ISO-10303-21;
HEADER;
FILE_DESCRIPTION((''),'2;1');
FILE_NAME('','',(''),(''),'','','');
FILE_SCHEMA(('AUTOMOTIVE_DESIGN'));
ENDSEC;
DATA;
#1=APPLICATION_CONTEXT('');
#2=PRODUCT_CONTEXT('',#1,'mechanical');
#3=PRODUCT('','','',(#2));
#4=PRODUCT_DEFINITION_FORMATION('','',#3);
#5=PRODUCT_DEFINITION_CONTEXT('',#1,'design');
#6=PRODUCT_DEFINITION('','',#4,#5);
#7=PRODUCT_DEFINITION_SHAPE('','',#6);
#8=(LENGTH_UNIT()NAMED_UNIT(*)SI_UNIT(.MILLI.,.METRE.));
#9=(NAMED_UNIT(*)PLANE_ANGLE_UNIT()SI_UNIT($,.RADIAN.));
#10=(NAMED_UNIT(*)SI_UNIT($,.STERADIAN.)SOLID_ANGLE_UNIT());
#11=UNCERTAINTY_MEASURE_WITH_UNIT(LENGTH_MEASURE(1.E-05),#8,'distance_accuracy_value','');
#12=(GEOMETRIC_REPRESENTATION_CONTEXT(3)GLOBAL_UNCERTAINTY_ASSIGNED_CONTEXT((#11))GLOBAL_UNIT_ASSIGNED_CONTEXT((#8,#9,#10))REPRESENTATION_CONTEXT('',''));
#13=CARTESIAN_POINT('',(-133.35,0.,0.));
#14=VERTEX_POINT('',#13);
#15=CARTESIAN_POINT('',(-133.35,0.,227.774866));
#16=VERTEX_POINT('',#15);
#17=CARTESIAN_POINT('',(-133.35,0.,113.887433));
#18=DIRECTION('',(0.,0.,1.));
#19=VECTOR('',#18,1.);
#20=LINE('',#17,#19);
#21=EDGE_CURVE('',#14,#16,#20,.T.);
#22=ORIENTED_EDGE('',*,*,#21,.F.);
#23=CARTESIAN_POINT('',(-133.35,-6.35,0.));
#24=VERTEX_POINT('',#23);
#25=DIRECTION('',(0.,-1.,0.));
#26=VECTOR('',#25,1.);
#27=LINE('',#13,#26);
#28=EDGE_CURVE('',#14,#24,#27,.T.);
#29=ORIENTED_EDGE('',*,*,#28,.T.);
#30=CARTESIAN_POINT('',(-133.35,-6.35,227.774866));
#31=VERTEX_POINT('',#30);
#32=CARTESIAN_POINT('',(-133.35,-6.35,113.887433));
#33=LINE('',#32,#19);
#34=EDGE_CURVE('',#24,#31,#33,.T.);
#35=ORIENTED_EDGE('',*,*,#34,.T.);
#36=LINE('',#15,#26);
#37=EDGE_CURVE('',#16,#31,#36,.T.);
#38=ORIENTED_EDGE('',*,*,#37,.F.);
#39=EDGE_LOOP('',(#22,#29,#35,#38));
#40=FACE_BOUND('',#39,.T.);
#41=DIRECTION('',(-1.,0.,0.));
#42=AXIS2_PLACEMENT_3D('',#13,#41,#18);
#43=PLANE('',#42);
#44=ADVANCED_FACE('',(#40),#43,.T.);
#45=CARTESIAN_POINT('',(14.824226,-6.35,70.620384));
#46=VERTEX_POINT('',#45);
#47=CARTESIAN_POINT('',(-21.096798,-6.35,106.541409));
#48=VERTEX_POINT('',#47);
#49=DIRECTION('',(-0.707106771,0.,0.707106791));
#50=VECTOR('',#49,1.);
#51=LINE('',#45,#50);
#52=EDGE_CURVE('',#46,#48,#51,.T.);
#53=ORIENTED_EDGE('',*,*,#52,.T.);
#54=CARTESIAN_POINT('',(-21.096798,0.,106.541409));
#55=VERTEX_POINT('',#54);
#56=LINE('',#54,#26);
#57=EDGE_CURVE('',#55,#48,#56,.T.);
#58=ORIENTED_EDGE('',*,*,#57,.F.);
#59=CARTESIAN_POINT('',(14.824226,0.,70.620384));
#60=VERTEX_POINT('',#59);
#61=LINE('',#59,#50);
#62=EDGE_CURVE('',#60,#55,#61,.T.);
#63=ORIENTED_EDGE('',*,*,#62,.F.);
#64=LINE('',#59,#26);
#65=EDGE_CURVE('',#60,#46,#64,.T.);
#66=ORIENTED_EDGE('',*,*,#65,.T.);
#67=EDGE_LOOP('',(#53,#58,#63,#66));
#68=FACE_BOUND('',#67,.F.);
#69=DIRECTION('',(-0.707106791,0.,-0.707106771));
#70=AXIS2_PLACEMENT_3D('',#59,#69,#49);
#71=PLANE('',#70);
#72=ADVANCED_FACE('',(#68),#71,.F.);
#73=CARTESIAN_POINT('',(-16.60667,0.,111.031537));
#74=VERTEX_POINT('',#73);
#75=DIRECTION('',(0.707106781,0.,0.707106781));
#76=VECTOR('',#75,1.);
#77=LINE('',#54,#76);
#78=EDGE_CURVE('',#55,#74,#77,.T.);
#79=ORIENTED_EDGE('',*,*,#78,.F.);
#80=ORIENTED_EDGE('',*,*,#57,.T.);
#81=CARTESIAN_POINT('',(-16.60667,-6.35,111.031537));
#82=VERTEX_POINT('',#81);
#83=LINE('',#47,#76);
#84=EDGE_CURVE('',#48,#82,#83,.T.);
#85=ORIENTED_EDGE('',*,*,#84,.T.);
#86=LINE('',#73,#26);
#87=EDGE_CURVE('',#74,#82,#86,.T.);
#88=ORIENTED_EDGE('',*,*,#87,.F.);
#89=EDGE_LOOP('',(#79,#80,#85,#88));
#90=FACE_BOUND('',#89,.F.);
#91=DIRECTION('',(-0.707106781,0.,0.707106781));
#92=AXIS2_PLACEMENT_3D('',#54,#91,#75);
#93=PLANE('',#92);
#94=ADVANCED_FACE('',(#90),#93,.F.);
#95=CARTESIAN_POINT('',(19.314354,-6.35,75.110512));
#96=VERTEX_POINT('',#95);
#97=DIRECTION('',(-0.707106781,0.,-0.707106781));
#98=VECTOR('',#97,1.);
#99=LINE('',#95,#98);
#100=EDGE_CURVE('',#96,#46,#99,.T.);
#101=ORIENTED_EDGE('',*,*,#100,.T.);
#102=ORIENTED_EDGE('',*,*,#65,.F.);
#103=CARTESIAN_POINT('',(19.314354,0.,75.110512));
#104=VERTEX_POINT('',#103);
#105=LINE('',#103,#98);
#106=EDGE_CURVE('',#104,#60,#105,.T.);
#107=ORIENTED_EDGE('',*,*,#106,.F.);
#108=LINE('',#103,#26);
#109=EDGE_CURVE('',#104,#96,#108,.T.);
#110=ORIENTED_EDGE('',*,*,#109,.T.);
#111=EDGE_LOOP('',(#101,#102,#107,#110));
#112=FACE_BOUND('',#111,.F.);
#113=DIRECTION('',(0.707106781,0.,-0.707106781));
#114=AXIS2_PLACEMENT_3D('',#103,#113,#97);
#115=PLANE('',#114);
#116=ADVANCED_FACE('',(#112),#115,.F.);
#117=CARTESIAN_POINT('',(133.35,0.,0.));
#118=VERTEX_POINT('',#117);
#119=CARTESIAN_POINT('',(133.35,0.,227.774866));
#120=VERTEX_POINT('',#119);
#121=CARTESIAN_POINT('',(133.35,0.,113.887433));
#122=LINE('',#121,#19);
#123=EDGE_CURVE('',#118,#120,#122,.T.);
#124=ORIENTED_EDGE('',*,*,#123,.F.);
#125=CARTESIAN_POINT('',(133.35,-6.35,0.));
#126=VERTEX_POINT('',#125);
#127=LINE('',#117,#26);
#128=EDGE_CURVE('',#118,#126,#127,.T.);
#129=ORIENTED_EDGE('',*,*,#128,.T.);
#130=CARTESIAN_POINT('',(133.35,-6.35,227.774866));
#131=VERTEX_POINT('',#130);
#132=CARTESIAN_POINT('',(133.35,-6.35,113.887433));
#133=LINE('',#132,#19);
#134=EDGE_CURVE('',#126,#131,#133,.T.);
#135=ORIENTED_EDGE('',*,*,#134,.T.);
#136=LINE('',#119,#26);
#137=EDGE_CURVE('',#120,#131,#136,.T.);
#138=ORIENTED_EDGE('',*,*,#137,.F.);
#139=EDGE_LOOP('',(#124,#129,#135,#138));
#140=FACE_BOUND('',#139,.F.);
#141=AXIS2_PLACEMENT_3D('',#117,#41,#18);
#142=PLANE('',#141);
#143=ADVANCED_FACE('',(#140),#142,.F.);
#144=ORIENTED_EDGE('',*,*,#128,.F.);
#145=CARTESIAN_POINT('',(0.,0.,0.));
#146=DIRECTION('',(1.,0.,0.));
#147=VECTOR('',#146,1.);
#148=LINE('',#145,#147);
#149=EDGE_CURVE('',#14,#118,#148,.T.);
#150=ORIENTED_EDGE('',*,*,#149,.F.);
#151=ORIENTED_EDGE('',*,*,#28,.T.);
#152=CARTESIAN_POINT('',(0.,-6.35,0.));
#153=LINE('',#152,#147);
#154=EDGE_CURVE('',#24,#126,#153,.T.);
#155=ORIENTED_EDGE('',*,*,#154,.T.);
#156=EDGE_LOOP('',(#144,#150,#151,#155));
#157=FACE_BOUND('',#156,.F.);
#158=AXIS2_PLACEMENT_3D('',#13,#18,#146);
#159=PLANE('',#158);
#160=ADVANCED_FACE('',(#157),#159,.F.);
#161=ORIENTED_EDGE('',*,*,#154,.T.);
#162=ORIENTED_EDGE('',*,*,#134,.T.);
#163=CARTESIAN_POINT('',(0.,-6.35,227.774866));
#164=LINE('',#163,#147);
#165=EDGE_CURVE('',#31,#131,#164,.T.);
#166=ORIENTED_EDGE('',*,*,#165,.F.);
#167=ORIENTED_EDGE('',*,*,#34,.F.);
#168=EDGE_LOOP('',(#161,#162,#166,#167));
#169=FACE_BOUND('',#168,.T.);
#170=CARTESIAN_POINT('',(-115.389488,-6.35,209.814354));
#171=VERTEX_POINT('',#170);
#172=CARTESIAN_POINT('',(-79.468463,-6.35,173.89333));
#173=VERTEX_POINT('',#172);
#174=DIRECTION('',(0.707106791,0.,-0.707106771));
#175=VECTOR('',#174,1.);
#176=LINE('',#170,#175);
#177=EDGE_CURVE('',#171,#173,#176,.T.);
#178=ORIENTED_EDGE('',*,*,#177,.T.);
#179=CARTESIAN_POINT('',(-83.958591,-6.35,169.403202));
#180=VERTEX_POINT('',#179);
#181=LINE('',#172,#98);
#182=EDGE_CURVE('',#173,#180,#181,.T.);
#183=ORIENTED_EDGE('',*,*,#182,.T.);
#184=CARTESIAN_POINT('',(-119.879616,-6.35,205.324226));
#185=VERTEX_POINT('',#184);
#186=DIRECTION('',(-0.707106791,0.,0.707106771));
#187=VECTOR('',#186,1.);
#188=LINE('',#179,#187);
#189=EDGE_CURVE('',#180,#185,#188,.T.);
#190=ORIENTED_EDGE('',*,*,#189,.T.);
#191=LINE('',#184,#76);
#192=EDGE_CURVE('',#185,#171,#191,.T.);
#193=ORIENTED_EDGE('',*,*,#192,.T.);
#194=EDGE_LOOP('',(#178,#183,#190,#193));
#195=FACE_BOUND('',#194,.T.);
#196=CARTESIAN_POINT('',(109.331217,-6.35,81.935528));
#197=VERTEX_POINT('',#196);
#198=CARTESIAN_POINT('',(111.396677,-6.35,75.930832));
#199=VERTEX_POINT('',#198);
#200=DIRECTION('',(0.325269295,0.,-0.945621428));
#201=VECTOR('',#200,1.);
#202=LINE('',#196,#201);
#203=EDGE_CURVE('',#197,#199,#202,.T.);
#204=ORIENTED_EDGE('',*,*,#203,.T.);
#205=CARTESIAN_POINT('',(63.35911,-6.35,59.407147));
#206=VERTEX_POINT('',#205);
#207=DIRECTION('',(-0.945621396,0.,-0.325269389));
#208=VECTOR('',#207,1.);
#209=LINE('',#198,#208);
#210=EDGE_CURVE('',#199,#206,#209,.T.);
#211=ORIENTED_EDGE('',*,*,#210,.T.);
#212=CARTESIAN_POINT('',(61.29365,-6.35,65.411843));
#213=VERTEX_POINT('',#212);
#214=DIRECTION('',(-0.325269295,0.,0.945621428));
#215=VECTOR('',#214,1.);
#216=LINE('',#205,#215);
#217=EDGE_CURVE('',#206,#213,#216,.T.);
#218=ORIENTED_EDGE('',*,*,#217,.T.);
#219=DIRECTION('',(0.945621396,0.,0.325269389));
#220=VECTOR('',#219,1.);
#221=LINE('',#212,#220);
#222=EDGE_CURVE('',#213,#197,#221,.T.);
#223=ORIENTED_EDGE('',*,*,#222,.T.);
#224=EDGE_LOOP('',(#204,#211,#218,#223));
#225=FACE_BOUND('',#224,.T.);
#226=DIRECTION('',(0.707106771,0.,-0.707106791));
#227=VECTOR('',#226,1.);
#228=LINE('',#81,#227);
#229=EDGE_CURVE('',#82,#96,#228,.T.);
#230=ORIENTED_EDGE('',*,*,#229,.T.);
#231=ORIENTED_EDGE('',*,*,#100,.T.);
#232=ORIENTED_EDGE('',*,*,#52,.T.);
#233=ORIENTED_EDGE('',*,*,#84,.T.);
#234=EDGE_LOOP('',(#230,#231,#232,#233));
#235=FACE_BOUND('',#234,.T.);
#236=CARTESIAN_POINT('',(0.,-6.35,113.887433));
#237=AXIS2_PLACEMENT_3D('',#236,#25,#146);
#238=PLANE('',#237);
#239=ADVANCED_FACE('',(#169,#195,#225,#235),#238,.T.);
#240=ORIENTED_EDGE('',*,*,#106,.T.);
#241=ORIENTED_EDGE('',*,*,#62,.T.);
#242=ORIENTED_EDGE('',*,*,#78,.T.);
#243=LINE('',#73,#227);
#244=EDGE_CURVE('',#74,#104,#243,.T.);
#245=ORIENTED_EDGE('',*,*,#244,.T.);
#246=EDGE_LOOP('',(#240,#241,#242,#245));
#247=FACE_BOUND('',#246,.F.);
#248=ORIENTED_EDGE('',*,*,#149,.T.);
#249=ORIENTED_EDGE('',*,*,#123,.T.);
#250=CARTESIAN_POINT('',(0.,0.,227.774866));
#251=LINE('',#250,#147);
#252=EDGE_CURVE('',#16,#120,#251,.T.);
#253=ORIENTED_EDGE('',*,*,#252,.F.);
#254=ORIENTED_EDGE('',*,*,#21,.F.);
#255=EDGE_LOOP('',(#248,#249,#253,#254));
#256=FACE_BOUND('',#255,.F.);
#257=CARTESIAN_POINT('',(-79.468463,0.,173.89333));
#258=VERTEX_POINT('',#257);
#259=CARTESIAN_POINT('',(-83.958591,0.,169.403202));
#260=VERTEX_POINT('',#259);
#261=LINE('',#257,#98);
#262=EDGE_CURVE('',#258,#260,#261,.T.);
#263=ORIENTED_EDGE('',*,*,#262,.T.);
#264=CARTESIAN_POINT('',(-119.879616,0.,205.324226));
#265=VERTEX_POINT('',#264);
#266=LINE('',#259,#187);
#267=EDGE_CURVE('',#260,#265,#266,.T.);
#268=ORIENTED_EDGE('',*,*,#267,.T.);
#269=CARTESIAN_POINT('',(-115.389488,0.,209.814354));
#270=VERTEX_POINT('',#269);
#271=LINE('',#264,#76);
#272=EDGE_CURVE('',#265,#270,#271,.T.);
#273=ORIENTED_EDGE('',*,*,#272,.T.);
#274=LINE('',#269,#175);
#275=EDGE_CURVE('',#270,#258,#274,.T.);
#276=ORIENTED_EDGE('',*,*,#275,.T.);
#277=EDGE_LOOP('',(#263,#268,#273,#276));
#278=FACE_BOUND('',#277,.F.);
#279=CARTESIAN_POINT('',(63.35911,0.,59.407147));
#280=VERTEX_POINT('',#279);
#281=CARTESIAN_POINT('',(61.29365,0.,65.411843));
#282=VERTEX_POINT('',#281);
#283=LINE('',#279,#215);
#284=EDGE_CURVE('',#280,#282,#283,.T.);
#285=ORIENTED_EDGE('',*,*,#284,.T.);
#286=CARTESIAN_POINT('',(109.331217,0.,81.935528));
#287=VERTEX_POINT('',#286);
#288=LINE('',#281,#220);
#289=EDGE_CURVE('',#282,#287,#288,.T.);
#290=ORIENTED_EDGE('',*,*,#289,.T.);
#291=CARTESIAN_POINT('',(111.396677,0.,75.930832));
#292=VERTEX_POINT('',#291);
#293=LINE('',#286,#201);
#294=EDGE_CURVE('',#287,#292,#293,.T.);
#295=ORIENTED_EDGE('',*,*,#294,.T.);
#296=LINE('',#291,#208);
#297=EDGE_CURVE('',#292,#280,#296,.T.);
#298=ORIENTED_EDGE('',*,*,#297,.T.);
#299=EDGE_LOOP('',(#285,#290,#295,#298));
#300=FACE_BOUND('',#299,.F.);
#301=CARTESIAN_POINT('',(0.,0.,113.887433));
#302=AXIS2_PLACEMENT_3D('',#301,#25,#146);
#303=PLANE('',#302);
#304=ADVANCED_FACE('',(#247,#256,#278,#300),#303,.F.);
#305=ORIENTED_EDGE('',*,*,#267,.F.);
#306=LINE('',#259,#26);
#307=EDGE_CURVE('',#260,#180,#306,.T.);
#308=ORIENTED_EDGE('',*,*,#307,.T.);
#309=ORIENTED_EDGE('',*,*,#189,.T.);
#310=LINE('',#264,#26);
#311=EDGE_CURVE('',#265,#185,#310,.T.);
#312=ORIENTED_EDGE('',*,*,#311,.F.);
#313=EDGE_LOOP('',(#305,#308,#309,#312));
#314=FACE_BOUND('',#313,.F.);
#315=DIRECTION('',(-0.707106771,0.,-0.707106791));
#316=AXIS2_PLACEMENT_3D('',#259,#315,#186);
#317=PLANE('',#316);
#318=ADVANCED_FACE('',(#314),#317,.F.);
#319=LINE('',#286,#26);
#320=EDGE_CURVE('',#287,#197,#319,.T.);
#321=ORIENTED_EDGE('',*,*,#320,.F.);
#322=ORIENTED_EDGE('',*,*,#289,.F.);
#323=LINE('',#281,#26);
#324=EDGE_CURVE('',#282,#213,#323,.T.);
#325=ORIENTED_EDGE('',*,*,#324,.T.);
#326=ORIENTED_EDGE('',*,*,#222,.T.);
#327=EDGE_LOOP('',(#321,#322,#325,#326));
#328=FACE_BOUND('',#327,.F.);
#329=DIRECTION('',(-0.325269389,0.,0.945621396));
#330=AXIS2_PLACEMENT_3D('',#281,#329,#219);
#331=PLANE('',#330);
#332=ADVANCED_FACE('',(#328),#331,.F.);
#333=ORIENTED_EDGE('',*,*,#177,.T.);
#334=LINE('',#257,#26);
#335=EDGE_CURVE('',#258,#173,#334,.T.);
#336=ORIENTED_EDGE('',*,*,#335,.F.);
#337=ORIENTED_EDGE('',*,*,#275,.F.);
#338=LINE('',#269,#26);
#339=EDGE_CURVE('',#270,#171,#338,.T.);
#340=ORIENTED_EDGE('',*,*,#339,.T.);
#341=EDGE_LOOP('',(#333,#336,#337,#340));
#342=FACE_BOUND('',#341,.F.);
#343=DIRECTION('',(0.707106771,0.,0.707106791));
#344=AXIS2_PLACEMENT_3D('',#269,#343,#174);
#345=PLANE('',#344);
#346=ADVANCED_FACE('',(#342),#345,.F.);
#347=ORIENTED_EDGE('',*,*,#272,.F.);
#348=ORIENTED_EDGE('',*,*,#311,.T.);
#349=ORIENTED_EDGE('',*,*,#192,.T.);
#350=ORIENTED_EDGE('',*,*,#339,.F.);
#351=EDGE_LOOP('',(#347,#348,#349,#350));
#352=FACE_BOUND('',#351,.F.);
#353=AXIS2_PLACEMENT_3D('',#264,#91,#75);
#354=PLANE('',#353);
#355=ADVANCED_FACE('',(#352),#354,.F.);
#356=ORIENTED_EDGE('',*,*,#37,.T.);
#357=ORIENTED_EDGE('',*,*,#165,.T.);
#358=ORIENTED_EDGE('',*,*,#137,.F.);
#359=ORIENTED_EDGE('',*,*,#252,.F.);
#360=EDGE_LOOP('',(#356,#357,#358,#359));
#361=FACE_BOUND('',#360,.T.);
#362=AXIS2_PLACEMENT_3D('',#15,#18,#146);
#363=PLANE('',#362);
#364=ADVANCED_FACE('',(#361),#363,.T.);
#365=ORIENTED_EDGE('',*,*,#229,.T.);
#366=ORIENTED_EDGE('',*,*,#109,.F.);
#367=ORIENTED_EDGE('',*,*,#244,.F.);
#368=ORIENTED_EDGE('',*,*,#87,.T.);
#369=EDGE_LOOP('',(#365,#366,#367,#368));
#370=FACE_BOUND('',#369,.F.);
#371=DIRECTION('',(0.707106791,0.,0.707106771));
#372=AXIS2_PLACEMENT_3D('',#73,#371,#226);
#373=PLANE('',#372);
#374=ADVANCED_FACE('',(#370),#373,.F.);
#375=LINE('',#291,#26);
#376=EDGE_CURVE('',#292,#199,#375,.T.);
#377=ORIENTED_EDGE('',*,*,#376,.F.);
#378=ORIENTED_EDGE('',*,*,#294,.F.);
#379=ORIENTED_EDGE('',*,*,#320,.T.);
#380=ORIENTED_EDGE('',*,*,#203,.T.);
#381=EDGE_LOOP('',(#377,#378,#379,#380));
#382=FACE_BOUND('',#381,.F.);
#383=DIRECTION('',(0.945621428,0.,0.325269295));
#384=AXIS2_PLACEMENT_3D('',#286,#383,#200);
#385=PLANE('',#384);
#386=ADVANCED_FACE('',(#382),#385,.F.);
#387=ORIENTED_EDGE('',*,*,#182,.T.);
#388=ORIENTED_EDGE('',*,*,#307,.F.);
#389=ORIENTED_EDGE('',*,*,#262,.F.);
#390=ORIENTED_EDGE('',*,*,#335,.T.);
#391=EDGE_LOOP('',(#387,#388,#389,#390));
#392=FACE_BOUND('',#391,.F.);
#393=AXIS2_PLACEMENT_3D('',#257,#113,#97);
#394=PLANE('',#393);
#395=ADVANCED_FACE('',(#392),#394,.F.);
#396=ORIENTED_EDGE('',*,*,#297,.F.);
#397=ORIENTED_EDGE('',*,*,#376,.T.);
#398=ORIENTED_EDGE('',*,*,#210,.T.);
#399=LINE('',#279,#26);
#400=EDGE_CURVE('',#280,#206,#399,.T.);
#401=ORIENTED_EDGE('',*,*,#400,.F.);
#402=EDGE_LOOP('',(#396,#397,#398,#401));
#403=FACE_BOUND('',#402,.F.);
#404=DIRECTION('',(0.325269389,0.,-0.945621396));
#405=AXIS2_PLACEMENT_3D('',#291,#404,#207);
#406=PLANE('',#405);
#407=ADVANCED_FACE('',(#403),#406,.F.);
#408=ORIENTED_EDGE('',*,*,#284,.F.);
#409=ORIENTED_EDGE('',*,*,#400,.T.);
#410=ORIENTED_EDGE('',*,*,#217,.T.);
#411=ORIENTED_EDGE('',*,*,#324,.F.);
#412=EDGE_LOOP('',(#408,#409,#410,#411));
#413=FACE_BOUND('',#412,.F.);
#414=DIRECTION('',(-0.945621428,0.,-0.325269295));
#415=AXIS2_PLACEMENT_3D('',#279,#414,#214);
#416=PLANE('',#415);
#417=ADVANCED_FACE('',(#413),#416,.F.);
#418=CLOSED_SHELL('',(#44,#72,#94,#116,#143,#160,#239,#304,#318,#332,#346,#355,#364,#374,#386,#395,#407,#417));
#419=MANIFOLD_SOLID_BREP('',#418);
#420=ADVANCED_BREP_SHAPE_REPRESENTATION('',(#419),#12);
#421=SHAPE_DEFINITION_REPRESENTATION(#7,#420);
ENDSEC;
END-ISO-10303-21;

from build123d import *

# Parameters (mm, degrees)
F0_W     = 266.7
F0_H     = 227.774866
F1_DEPTH = 6.35


with BuildPart() as f1:
    # F0 (on Front) → F1 (new body)
    with BuildSketch(Plane.XZ):
        with Locations((0, 113.887433)):
            Rectangle(F0_W, F0_H)
        Polygon((-16.60667, 111.031537), (19.314354, 75.110512), (14.824226, 70.620384), (-21.096798, 106.541409), align=None, mode=Mode.SUBTRACT)
        Polygon((63.35911, 59.407147), (61.29365, 65.411843), (109.331217, 81.935528), (111.396677, 75.930832), align=None, mode=Mode.SUBTRACT)
        Polygon((-119.879616, 205.324226), (-115.389488, 209.814354), (-79.468463, 173.89333), (-83.958591, 169.403202), align=None, mode=Mode.SUBTRACT)
    extrude(amount=F1_DEPTH)


solid = f1.part
